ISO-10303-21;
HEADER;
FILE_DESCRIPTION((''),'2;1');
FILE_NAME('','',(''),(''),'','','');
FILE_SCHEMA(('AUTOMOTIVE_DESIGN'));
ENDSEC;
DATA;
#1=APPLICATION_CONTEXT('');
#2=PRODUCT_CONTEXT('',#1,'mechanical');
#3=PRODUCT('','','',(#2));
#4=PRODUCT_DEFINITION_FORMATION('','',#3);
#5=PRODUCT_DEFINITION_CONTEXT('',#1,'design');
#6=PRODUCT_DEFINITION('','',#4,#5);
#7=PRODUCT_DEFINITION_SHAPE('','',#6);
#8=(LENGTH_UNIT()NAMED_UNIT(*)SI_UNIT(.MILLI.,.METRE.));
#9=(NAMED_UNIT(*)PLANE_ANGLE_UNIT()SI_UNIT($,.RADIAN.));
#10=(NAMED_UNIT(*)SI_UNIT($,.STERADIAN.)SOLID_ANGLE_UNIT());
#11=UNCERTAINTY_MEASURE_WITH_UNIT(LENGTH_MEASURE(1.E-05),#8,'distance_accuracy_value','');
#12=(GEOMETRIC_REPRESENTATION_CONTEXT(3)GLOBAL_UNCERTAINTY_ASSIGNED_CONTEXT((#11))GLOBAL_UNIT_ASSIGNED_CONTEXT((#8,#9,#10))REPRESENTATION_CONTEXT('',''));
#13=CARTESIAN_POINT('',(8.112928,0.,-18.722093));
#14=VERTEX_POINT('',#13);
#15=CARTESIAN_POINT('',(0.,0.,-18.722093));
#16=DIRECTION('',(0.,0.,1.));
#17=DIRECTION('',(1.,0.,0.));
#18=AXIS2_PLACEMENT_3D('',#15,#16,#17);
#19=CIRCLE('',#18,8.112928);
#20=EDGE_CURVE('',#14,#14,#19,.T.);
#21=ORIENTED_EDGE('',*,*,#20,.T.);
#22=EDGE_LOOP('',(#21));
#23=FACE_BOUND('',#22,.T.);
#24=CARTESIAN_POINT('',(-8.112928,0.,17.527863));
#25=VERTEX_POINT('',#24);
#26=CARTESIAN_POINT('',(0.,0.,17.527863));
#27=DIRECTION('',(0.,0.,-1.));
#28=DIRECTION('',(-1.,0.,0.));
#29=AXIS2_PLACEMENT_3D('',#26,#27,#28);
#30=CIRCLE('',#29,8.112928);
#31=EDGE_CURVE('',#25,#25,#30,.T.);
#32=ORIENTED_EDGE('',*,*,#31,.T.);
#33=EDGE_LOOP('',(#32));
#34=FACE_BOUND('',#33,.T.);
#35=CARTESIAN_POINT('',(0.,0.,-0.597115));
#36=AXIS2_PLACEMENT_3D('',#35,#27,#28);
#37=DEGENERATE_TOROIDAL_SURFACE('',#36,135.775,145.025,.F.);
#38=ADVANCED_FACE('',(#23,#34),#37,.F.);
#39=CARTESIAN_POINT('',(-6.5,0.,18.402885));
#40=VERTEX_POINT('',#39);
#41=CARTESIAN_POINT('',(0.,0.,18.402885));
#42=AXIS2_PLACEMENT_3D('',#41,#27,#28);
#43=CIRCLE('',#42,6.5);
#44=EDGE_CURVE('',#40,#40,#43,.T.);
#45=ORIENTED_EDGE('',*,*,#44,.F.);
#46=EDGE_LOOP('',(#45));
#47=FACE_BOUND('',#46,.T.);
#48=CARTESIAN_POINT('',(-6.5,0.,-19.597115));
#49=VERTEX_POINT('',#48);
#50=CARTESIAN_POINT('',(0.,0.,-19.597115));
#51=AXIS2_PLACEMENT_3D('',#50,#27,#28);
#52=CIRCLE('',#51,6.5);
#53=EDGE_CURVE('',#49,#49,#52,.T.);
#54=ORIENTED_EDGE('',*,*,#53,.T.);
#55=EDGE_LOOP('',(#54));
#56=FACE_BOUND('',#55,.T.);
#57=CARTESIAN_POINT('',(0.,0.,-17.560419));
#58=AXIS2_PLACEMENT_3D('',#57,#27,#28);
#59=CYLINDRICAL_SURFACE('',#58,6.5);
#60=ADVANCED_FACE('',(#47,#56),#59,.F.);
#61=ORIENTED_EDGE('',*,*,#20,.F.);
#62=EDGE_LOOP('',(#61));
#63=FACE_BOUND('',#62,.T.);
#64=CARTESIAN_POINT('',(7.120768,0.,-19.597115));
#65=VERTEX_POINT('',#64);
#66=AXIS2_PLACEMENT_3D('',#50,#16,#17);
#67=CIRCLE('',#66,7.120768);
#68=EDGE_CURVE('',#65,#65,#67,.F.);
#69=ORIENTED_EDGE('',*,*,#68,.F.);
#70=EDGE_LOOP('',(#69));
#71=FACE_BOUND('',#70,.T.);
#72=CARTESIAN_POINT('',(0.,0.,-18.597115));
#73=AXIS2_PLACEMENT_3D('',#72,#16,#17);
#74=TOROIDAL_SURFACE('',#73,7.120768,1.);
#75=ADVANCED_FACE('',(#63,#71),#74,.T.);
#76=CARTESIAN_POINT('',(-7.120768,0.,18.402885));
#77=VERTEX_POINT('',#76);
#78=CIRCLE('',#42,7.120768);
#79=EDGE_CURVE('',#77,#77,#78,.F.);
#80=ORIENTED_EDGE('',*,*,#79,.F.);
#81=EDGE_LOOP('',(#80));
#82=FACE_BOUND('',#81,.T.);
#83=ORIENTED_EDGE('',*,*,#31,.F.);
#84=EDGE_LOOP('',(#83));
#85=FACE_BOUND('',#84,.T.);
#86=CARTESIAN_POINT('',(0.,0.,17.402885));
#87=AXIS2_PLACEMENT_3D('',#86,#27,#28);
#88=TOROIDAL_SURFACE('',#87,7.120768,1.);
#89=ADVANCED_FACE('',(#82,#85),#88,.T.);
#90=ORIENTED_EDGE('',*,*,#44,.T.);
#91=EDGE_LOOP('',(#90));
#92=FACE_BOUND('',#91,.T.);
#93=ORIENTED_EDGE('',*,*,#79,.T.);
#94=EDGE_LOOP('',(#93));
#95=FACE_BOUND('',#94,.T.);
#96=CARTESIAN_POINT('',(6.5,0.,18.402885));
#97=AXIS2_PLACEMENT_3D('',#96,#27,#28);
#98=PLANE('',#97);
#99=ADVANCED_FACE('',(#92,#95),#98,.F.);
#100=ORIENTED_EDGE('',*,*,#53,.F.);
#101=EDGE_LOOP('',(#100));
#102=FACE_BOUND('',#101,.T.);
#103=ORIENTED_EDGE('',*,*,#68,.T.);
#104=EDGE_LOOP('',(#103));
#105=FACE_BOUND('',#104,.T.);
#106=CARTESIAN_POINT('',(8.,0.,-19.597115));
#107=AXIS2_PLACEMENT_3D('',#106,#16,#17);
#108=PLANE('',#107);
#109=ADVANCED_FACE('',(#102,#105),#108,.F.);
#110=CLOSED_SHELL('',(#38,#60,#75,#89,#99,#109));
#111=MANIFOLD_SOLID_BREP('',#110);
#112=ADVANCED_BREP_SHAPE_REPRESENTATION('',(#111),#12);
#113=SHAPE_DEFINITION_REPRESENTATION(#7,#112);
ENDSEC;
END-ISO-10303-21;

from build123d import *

# Parameters (mm, degrees)
FILLET_1_R = 1
FILLET_2_R = 1


with BuildPart() as part:
    # 草图1 → 旋转1 (revolve)
    with BuildSketch(Plane(origin=(0, 0, 0), x_dir=(1, 0, 0), z_dir=(0, 1, 0))):
        with BuildLine():
            Line((8, 19.597114905), (6.5, 19.597114905))
            Line((6.5, 19.597114905), (6.5, -18.402885095))
            Line((6.5, -18.402885095), (8, -18.402885095))
            ThreePointArc((8, -18.402885095), (9.25, 0.597114905), (8, 19.597114905))
        make_face()
    revolve(axis=Axis((0, 0, -17.560419169), (0, 0, 1)))

    # 圆角1
    fillet_1_edges = [part.edges().sort_by_distance(p)[0] for p in [
        (-8, 0, 18.402885095),
    ]]
    fillet(fillet_1_edges, radius=FILLET_1_R)

    # 圆角2
    fillet_2_edges = [part.edges().sort_by_distance(p)[0] for p in [
        (-8, 0, -19.597114905),
    ]]
    fillet(fillet_2_edges, radius=FILLET_2_R)


solid = part.part
